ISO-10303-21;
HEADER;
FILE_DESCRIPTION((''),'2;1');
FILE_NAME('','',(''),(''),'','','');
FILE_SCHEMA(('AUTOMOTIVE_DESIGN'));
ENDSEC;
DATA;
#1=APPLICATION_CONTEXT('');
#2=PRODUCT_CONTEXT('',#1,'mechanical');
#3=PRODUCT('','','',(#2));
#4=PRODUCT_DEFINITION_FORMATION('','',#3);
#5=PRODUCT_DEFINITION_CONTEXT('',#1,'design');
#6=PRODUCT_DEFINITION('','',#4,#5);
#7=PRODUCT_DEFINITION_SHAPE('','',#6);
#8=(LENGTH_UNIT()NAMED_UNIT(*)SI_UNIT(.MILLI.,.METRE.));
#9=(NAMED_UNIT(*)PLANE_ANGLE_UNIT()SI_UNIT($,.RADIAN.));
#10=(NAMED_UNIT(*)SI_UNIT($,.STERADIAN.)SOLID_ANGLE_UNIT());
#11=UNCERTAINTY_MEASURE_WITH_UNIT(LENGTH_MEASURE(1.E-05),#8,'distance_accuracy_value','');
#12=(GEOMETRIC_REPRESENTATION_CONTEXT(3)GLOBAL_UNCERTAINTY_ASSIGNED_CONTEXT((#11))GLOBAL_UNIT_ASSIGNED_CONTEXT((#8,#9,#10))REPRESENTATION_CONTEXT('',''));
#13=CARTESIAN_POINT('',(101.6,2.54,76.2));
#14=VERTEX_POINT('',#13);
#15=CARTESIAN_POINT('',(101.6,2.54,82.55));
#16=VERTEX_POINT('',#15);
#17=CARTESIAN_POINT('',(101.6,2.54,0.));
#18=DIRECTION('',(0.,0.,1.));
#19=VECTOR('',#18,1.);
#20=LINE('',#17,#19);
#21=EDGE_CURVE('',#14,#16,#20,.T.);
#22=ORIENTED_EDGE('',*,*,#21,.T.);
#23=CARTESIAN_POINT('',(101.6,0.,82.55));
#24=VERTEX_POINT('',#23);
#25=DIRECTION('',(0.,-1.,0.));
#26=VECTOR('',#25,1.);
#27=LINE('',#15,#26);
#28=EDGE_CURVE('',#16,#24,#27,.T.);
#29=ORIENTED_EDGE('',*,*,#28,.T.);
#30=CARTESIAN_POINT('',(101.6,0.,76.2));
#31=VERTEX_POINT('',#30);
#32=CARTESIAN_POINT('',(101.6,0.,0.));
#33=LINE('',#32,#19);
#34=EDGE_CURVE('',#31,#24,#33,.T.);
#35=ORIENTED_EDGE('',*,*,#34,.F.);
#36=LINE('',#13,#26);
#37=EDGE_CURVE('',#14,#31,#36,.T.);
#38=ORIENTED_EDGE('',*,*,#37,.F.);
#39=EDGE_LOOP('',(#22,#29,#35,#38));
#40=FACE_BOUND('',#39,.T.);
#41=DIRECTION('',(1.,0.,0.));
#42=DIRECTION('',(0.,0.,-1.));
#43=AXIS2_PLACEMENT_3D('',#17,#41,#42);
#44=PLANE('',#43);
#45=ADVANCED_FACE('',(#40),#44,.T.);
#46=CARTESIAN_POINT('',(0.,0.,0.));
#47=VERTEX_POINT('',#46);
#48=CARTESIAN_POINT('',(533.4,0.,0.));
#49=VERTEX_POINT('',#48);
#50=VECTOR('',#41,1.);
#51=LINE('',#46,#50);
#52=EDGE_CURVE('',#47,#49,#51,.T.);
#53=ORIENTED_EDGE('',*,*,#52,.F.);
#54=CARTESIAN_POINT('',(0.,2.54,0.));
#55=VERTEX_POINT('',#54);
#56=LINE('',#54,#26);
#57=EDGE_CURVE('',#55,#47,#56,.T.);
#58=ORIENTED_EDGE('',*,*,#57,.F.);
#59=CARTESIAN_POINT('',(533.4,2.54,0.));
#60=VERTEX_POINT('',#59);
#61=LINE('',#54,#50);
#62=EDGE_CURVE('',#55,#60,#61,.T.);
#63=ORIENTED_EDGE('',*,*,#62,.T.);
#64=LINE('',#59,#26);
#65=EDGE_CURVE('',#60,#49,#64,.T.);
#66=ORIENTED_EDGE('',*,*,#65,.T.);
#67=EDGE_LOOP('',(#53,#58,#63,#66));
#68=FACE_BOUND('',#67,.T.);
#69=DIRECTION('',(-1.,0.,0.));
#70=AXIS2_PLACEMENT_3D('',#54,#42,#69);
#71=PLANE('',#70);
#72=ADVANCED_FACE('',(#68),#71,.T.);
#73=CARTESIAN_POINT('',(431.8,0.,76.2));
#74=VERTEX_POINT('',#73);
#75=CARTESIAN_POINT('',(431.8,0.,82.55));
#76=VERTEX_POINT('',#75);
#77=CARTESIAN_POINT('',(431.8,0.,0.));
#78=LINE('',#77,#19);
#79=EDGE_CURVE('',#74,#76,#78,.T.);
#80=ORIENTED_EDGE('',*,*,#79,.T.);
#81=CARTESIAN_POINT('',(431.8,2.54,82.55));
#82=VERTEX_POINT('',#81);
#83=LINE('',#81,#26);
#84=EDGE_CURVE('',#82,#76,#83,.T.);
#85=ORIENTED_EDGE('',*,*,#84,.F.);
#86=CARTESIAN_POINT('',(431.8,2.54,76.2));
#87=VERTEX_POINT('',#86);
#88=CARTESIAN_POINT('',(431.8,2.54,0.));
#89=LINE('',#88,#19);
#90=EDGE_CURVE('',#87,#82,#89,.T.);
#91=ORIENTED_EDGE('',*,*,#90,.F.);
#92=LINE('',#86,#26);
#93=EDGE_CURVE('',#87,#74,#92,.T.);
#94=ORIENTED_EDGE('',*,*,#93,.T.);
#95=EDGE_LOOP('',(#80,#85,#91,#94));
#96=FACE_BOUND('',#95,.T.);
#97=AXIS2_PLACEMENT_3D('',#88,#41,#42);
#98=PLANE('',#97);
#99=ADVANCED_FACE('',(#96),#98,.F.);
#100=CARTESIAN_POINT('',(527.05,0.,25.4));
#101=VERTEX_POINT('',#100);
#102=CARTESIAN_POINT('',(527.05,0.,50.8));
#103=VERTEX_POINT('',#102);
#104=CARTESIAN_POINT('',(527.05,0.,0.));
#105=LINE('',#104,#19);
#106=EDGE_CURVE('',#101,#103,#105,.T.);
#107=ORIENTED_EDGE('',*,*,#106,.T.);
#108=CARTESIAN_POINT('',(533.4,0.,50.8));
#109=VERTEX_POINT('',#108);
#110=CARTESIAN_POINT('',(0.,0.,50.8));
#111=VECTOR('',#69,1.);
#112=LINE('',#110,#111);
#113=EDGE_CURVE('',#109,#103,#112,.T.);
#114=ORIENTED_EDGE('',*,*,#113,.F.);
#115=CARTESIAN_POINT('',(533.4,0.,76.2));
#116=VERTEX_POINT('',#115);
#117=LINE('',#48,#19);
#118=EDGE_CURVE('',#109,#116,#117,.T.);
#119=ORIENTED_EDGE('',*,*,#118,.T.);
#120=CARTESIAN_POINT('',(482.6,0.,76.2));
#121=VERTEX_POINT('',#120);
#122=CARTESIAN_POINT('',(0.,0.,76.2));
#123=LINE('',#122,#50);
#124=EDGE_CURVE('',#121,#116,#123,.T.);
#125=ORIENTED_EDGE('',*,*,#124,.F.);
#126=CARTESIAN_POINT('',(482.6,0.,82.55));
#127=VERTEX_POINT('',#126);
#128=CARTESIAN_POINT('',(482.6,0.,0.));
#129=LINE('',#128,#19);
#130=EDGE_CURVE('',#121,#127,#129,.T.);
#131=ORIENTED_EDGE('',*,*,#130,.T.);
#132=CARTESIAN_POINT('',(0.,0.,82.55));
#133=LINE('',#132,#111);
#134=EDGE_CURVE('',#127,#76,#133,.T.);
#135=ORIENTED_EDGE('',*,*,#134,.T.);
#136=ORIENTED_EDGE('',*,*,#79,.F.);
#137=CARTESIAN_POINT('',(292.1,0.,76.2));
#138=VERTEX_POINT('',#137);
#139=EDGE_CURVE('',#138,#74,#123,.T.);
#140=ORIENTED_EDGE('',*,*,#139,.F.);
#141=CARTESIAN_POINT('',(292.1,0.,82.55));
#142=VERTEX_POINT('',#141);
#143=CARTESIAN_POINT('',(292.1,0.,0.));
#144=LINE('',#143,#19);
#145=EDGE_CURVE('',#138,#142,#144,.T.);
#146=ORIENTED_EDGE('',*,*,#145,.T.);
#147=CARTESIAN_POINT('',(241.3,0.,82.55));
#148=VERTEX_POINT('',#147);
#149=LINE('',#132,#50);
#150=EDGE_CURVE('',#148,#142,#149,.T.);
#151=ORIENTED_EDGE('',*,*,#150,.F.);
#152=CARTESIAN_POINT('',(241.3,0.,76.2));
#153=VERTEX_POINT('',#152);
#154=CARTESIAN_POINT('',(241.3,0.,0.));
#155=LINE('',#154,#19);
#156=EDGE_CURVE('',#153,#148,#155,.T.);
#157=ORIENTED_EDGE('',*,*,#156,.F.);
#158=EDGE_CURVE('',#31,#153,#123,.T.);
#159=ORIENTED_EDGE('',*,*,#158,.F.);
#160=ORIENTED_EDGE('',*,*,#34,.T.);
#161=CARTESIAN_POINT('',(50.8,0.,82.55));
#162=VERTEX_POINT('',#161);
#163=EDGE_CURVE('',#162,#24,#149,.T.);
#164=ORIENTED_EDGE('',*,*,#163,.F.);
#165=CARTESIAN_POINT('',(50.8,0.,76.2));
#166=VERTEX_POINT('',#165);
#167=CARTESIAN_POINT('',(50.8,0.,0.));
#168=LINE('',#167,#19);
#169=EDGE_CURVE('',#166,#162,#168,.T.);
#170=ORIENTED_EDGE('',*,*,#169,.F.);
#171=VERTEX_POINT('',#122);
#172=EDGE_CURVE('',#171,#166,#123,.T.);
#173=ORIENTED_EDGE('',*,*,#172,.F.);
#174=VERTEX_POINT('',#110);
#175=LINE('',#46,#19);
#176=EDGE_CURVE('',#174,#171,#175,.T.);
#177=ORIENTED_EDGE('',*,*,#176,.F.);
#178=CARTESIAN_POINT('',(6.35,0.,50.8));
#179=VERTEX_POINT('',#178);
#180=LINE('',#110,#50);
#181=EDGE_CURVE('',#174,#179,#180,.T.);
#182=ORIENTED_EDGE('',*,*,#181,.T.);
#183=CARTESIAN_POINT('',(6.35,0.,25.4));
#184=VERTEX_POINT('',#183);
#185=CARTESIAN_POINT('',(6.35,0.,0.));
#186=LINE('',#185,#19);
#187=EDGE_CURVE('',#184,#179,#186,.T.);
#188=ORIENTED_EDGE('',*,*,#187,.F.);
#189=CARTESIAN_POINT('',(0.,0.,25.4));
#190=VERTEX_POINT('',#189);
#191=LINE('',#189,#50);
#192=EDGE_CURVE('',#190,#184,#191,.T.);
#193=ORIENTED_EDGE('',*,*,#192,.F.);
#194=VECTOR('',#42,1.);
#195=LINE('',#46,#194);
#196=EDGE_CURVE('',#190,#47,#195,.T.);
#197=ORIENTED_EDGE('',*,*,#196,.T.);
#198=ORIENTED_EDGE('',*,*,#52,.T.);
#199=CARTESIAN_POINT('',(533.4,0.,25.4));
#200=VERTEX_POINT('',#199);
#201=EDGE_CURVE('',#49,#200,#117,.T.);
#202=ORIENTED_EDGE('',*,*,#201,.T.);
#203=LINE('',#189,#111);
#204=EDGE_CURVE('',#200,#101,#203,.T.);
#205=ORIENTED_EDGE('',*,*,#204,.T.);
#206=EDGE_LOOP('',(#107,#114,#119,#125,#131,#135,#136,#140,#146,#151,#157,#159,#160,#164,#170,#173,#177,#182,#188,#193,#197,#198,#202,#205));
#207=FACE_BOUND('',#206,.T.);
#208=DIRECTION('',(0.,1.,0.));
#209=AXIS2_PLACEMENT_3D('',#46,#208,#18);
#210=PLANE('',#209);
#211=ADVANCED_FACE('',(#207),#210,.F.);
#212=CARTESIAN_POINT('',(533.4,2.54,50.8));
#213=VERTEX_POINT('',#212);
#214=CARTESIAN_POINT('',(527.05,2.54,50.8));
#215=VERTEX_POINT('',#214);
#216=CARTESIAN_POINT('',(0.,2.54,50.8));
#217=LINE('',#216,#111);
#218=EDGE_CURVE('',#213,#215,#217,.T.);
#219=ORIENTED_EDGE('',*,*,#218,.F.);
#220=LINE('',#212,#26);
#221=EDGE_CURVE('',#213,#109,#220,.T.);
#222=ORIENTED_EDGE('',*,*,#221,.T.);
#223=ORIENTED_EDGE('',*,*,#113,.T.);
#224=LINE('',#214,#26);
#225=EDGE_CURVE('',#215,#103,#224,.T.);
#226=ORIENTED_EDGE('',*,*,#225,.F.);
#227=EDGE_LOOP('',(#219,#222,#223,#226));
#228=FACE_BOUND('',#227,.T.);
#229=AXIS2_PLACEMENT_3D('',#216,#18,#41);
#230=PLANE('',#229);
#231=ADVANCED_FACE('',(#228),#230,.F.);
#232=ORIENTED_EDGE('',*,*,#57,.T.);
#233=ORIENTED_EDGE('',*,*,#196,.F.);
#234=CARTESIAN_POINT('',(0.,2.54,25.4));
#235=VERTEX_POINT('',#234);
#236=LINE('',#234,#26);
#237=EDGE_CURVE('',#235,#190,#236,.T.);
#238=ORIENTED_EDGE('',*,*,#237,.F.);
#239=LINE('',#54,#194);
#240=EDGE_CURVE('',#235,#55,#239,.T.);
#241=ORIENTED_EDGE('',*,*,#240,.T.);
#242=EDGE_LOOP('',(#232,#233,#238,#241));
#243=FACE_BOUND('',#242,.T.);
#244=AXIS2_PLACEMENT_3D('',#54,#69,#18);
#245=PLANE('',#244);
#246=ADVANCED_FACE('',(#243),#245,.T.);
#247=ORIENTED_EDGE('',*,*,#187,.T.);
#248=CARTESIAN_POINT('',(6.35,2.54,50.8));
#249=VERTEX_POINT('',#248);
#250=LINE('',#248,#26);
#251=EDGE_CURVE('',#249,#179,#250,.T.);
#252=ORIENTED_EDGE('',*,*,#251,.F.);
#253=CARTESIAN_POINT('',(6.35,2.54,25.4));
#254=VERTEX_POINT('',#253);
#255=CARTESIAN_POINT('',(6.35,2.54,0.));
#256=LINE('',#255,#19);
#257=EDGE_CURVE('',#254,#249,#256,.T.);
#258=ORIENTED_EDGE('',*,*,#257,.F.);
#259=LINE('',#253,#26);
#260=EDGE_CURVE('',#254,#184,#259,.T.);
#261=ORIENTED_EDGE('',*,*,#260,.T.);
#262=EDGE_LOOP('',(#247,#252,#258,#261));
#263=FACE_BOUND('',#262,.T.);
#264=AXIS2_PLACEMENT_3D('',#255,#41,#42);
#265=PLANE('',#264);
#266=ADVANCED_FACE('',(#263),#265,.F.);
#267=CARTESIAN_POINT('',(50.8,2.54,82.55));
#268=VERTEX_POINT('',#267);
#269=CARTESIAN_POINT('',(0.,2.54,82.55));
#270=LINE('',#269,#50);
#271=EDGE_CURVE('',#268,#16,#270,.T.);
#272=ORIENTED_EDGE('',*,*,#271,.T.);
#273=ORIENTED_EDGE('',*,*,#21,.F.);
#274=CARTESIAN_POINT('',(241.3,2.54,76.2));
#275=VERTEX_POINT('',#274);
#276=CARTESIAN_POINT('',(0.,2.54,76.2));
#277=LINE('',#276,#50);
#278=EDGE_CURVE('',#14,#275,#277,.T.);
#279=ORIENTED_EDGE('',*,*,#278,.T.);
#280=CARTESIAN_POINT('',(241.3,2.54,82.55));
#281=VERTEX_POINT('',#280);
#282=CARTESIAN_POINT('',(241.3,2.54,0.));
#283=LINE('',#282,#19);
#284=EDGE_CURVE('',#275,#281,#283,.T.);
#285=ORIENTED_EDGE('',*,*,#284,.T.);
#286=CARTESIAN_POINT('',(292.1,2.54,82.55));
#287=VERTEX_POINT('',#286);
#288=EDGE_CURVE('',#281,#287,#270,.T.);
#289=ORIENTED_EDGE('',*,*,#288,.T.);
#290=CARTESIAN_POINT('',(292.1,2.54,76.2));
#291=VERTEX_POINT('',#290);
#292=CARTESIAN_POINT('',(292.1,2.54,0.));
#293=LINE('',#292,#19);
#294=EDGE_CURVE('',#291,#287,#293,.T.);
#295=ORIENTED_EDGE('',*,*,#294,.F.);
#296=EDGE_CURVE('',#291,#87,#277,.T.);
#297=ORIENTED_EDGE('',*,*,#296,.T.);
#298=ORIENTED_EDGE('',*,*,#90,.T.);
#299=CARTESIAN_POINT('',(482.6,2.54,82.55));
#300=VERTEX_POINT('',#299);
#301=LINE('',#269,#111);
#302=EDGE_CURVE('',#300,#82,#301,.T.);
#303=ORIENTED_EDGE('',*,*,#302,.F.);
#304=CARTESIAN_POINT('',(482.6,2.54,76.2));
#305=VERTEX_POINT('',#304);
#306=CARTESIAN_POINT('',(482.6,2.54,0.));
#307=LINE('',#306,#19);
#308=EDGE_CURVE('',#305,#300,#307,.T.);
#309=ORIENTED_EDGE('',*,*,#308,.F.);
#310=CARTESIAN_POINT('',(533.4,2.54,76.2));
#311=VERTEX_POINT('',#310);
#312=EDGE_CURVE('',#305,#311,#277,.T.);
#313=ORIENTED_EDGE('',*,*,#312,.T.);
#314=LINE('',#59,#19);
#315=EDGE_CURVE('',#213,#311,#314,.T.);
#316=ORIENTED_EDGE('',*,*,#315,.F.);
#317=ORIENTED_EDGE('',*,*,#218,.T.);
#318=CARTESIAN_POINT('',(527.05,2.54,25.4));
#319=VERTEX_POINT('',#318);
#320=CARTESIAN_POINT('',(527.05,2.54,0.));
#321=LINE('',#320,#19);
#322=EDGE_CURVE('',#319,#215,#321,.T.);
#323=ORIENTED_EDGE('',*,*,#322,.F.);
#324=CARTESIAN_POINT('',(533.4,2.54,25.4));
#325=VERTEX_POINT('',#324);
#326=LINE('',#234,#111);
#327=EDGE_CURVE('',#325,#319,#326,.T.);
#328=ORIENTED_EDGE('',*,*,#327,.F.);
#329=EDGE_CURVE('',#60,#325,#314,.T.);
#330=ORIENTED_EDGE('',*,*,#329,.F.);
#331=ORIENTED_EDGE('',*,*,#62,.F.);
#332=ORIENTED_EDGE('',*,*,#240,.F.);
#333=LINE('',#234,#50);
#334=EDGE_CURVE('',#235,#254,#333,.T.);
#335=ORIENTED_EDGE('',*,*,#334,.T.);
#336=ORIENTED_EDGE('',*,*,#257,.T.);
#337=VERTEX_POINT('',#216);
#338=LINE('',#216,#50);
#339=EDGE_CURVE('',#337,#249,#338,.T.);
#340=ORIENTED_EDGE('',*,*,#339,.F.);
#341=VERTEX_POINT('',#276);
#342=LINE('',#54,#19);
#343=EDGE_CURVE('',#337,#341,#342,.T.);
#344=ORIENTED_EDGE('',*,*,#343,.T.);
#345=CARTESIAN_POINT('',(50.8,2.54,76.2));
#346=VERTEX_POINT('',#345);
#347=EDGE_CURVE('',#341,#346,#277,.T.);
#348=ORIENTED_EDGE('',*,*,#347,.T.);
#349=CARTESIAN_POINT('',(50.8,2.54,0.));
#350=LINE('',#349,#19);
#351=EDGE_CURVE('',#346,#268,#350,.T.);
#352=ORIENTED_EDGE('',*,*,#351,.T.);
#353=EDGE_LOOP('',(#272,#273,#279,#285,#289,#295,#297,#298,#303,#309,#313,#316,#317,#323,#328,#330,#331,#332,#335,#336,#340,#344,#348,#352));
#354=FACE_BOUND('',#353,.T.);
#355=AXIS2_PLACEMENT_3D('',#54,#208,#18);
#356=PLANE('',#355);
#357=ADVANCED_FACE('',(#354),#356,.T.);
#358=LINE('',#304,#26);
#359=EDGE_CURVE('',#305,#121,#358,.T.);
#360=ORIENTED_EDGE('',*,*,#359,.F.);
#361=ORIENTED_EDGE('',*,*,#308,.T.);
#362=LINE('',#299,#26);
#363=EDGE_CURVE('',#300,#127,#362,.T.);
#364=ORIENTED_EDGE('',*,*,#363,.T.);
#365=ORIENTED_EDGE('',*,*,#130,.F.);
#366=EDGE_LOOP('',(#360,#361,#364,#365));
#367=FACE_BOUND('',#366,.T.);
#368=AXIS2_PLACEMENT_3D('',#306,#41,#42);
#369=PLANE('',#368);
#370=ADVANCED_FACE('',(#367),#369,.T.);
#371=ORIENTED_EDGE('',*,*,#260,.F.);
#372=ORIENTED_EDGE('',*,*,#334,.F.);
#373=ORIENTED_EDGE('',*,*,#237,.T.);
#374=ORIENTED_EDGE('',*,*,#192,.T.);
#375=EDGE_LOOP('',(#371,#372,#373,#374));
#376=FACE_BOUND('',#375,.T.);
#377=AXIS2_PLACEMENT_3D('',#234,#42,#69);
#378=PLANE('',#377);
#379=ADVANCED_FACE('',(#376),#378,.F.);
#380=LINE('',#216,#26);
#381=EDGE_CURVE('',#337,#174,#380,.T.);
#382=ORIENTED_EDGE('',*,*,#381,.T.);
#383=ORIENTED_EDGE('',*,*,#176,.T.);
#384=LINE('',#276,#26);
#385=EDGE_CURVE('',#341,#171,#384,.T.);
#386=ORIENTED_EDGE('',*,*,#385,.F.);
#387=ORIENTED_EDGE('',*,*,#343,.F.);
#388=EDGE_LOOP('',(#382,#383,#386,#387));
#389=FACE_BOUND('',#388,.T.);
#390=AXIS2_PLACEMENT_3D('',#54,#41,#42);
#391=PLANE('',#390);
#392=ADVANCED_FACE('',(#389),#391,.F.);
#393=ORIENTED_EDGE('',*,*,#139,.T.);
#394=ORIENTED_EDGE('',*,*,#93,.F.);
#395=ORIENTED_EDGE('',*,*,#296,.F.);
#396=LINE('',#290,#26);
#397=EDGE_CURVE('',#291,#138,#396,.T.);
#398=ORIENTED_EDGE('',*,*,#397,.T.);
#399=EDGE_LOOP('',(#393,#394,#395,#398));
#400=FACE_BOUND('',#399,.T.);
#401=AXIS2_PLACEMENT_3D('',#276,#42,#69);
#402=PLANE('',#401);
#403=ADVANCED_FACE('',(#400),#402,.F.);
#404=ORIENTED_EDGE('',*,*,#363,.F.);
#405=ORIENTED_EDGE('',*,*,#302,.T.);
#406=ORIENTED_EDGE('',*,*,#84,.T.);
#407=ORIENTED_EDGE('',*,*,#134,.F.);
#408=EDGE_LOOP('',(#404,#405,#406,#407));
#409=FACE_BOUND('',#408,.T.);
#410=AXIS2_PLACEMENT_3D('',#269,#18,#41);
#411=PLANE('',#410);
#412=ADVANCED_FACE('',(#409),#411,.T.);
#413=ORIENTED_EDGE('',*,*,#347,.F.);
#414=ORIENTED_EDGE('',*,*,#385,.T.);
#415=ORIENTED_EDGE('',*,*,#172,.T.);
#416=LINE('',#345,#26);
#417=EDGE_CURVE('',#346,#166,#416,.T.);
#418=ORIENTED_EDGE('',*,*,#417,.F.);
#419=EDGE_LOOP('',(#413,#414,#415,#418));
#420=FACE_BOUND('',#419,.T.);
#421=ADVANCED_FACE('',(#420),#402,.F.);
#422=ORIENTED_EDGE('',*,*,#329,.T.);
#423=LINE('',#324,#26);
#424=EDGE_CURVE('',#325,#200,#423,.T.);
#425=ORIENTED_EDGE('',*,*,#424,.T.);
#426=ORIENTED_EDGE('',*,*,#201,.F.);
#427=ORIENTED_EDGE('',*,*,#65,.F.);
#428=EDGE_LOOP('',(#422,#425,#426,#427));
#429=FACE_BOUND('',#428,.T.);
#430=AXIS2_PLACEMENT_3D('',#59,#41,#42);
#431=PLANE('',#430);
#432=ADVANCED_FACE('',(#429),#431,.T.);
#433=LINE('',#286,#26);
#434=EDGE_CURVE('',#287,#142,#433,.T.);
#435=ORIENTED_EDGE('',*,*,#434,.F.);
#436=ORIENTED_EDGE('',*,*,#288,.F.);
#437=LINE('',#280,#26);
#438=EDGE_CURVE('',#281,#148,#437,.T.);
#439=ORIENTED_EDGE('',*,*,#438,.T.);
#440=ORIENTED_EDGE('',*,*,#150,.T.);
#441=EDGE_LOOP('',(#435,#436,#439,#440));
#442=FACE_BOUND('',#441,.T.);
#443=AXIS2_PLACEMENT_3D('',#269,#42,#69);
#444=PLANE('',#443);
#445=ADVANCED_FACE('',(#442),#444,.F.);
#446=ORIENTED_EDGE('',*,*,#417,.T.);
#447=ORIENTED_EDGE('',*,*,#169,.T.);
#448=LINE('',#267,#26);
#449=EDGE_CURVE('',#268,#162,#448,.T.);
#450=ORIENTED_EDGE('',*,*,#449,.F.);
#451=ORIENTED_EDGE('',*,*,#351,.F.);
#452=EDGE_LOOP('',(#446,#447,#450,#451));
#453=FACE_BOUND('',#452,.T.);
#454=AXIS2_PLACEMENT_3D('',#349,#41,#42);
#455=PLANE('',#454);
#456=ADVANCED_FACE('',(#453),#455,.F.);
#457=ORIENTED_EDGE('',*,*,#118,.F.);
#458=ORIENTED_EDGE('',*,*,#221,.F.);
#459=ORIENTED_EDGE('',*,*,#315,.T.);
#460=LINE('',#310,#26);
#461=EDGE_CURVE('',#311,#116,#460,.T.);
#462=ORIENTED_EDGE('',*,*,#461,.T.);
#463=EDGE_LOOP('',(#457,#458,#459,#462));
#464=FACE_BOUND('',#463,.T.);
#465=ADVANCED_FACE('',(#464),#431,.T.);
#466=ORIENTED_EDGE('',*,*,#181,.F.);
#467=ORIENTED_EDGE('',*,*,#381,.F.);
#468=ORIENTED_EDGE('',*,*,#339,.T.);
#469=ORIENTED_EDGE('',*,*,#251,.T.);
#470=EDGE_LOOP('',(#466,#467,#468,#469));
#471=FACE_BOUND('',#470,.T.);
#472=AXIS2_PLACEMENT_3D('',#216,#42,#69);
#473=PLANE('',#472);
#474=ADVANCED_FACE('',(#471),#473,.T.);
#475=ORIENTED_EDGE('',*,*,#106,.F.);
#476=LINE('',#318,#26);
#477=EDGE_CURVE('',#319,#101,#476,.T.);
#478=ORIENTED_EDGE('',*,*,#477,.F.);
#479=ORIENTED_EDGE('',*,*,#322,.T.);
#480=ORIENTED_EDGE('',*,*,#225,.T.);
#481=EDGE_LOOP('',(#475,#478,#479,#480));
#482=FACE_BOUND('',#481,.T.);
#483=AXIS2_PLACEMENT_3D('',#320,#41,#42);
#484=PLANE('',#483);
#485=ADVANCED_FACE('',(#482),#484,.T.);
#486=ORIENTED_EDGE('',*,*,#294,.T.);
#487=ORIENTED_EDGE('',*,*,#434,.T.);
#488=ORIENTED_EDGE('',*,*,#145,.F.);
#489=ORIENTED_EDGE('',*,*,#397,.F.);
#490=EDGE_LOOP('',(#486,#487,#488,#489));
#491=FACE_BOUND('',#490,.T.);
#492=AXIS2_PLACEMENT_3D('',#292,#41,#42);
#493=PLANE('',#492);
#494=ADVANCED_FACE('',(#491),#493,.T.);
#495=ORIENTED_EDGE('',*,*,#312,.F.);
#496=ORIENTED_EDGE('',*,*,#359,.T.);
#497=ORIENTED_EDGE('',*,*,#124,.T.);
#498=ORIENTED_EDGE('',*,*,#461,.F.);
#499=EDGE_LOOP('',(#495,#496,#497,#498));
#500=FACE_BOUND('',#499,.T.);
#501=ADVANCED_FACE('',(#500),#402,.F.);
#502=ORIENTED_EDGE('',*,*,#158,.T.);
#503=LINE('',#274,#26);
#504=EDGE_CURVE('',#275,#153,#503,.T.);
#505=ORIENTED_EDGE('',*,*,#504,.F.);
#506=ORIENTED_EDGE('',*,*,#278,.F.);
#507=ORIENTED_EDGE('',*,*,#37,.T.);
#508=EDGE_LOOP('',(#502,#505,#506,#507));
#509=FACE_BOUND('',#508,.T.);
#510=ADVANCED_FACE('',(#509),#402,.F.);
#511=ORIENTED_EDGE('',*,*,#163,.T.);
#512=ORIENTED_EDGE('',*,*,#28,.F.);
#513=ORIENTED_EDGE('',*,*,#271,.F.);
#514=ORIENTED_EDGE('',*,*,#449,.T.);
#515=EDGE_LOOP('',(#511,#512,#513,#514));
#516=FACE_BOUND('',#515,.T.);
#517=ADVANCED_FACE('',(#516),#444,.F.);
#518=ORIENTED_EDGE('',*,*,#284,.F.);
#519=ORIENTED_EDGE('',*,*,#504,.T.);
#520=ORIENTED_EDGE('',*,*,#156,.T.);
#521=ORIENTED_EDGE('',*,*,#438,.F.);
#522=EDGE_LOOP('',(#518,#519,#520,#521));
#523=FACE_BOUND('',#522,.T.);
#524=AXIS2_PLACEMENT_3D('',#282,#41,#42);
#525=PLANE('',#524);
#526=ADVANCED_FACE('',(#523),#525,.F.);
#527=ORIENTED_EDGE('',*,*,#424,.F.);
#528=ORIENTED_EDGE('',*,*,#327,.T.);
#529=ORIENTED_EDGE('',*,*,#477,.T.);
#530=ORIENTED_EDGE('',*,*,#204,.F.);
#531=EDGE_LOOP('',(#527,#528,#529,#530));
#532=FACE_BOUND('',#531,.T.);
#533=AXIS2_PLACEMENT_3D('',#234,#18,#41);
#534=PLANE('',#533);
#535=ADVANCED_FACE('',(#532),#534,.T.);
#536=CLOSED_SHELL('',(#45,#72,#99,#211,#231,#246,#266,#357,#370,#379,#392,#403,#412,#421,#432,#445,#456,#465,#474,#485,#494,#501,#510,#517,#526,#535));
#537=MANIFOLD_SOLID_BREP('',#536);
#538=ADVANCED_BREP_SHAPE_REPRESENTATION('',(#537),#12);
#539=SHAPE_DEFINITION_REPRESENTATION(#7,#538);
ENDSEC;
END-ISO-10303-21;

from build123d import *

# Parameters (mm, degrees)
BOSS_EXTRUDE1_DEPTH = 2.54


with BuildPart() as part:
    # Sketch1 → Boss-Extrude1 (new body)
    with BuildSketch(Plane(origin=(0, 0, 0), x_dir=(1, 0, 0), z_dir=(0, 1, 0))):
        Polygon((292.1, -76.2), (292.1, -82.55), (241.3, -82.55), (241.3, -76.2), (101.6, -76.2), (101.6, -82.55), (50.8, -82.55), (50.8, -76.2), (0, -76.2), (0, -50.8), (6.35, -50.8), (6.35, -25.4), (0, -25.4), (0, 0), (533.4, 0), (533.4, -25.4), (527.05, -25.4), (527.05, -50.8), (533.4, -50.8), (533.4, -76.2), (482.6, -76.2), (482.6, -82.55), (431.8, -82.55), (431.8, -76.2), align=None)
    extrude(amount=BOSS_EXTRUDE1_DEPTH)


solid = part.part
